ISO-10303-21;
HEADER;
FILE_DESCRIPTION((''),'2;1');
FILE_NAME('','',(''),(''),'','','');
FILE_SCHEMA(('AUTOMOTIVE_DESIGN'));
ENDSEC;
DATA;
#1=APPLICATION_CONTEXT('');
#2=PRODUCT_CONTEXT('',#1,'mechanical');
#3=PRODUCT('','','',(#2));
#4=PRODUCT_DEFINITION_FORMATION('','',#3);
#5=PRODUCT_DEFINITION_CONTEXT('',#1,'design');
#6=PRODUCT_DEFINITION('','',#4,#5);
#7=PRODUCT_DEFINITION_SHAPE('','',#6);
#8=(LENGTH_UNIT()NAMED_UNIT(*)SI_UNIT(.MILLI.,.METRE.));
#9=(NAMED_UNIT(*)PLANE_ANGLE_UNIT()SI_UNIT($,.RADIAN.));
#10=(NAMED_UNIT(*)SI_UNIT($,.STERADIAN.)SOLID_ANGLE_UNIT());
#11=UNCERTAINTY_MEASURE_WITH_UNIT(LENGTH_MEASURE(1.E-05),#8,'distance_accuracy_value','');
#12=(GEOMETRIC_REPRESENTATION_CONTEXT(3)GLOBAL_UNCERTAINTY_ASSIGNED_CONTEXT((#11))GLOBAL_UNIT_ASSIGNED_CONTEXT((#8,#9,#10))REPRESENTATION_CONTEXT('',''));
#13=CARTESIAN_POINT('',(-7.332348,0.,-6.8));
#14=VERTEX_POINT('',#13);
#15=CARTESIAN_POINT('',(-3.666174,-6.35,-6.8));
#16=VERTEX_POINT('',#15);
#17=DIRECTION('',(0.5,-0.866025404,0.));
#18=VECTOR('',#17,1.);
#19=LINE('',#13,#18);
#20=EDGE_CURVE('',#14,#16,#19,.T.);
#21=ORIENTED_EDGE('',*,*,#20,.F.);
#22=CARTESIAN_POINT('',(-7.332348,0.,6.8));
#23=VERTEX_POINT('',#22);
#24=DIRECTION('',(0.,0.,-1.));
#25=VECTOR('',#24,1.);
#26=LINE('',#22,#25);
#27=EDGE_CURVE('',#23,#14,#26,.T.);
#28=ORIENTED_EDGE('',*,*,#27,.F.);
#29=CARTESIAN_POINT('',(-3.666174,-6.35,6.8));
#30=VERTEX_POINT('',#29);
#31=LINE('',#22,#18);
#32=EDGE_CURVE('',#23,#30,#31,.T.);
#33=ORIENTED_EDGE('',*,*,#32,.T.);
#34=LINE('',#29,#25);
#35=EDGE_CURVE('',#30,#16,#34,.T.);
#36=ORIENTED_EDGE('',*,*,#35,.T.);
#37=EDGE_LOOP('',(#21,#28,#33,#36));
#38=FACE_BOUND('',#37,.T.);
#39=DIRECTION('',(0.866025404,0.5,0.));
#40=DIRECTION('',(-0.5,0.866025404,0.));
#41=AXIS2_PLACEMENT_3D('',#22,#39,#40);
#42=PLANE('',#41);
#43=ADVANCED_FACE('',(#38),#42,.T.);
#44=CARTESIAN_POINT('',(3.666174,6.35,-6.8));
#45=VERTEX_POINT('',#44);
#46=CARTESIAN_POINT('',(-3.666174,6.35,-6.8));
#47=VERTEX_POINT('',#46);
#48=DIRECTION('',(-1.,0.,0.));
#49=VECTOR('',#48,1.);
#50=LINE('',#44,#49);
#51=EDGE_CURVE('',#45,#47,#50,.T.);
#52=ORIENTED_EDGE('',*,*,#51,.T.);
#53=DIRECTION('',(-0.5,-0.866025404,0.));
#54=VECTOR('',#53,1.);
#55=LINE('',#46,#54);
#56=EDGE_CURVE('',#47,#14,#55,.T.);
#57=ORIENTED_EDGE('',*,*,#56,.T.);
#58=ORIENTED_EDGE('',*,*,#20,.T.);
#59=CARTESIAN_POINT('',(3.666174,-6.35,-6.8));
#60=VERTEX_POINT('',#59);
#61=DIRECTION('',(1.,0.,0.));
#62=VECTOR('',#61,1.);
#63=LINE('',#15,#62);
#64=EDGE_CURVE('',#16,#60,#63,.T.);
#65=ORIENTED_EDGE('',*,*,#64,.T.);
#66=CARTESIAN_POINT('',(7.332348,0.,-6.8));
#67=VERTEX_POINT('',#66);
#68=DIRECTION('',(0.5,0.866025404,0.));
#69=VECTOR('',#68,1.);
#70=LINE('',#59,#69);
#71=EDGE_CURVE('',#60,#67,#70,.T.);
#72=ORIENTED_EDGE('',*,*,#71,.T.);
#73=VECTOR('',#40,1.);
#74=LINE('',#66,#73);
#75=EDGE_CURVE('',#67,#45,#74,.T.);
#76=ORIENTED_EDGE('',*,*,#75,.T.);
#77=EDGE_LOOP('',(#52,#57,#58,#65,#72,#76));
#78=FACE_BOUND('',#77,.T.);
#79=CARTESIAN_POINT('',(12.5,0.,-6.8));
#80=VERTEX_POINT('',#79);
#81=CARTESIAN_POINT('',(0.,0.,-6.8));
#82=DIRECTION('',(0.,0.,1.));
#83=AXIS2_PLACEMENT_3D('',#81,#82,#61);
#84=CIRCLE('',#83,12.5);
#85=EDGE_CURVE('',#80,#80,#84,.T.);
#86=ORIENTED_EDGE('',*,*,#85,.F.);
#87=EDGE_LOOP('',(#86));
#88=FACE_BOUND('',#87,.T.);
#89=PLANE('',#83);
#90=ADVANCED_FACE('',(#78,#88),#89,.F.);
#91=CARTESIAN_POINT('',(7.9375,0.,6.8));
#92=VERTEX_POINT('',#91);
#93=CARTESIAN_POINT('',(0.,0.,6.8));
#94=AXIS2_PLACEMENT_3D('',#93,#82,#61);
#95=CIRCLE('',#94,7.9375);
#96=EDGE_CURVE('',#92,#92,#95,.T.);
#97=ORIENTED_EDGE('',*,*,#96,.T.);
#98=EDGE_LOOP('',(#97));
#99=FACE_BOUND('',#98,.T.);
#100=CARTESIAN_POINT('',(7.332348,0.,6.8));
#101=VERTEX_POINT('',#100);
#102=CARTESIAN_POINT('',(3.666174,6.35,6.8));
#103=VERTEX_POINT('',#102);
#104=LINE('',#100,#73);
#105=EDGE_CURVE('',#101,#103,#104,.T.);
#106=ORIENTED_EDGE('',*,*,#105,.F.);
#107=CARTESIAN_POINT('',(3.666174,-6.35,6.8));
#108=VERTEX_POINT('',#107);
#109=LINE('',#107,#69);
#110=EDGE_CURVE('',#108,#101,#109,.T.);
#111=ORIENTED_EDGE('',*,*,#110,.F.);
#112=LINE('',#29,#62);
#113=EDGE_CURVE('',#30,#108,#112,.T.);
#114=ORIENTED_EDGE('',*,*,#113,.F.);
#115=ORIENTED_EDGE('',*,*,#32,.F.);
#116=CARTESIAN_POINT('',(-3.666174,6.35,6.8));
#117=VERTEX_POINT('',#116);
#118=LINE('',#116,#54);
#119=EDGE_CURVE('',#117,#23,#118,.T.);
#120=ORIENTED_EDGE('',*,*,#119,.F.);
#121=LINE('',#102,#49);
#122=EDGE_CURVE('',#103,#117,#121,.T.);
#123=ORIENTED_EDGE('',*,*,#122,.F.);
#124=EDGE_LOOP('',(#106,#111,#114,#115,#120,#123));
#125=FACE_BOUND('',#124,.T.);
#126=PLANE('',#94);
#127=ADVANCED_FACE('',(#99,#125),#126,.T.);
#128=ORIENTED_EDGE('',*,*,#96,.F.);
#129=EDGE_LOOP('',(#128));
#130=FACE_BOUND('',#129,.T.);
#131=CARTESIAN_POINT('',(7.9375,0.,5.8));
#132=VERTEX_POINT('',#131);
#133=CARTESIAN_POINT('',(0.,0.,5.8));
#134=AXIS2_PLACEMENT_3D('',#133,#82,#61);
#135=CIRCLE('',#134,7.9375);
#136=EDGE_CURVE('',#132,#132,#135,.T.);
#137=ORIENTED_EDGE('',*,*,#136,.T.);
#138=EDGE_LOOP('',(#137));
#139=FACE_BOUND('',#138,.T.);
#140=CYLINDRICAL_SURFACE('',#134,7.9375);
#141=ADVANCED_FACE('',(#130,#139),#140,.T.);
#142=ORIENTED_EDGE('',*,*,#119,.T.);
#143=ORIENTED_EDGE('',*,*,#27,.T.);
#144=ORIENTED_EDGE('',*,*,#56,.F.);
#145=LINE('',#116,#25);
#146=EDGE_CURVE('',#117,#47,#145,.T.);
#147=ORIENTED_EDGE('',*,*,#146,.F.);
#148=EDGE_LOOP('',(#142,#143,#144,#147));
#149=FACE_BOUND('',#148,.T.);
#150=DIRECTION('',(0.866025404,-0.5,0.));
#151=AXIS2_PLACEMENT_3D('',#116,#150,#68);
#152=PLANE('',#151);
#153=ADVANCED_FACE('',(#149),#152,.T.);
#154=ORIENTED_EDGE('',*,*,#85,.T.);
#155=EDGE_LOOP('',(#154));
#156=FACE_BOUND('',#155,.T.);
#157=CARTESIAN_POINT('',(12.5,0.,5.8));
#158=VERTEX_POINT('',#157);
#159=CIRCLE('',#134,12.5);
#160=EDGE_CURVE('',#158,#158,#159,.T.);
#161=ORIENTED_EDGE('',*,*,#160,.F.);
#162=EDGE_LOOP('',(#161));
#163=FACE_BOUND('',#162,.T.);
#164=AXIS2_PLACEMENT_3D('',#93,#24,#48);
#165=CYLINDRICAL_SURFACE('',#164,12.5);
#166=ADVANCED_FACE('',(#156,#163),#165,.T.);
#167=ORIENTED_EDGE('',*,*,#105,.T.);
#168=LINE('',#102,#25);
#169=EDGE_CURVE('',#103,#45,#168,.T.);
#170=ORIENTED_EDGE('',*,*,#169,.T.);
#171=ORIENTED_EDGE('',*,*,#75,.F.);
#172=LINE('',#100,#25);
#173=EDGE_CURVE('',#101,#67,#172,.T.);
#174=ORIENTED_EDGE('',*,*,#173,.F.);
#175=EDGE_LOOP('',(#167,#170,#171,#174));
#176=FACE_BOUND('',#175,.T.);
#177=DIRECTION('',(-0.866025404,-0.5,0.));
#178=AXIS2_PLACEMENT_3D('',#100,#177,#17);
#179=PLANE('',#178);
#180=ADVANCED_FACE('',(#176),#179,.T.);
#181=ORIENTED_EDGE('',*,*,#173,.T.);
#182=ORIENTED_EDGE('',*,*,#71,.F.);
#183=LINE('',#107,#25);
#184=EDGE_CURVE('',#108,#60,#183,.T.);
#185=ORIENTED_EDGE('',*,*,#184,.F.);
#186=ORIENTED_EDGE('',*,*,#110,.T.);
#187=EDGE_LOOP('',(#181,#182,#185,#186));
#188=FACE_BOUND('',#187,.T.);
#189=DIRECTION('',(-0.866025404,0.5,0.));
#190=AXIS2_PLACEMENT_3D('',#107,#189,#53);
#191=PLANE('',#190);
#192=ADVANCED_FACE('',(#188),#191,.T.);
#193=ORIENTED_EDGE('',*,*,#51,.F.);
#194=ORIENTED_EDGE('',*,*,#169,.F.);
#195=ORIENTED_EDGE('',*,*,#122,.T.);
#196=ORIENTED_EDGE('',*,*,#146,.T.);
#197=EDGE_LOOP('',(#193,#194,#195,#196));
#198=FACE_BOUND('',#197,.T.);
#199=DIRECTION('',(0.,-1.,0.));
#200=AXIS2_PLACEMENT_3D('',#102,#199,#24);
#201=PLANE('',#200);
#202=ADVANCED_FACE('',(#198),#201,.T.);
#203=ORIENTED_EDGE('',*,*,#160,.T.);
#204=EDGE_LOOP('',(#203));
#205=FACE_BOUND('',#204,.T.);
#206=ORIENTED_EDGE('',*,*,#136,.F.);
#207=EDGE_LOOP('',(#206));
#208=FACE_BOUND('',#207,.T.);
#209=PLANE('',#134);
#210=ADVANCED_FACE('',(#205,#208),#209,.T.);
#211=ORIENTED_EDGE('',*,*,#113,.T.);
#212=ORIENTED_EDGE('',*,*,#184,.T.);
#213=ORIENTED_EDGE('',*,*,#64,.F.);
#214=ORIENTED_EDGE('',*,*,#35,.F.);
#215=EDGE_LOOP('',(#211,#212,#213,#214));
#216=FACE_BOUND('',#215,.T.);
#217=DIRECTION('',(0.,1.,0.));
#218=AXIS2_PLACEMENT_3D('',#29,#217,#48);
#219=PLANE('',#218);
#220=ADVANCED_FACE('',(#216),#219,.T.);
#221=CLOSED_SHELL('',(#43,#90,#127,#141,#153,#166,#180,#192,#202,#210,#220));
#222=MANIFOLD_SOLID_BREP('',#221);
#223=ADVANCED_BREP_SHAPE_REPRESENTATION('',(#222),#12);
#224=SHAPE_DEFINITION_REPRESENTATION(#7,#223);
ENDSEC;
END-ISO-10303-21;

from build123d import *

# Parameters (mm, degrees)
SKETCH1_R           = 12.5
BOSS_EXTRUDE1_DEPTH = 6.8
SKETCH2_R           = 12.5
SKETCH2_R_2         = 7.9375
CUT_EXTRUDE1_DEPTH  = 1


with BuildPart() as part:
    # Sketch1 → Boss-Extrude1 (new, symmetric)
    with BuildSketch(Plane.XY):
        Circle(SKETCH1_R)
        Polygon((7.332348419, 0), (3.666174209, 6.35), (-3.666174209, 6.35), (-7.332348419, 0), (-3.666174209, -6.35), (3.666174209, -6.35), align=None, mode=Mode.SUBTRACT)
    extrude(amount=BOSS_EXTRUDE1_DEPTH, both=True)

    # Sketch2 → Cut-Extrude1 (cut)
    with BuildSketch(Plane.XY.offset(6.8)):
        Circle(SKETCH2_R)
        Circle(SKETCH2_R_2, mode=Mode.SUBTRACT)
    extrude(amount=-CUT_EXTRUDE1_DEPTH, mode=Mode.SUBTRACT)


solid = part.part
